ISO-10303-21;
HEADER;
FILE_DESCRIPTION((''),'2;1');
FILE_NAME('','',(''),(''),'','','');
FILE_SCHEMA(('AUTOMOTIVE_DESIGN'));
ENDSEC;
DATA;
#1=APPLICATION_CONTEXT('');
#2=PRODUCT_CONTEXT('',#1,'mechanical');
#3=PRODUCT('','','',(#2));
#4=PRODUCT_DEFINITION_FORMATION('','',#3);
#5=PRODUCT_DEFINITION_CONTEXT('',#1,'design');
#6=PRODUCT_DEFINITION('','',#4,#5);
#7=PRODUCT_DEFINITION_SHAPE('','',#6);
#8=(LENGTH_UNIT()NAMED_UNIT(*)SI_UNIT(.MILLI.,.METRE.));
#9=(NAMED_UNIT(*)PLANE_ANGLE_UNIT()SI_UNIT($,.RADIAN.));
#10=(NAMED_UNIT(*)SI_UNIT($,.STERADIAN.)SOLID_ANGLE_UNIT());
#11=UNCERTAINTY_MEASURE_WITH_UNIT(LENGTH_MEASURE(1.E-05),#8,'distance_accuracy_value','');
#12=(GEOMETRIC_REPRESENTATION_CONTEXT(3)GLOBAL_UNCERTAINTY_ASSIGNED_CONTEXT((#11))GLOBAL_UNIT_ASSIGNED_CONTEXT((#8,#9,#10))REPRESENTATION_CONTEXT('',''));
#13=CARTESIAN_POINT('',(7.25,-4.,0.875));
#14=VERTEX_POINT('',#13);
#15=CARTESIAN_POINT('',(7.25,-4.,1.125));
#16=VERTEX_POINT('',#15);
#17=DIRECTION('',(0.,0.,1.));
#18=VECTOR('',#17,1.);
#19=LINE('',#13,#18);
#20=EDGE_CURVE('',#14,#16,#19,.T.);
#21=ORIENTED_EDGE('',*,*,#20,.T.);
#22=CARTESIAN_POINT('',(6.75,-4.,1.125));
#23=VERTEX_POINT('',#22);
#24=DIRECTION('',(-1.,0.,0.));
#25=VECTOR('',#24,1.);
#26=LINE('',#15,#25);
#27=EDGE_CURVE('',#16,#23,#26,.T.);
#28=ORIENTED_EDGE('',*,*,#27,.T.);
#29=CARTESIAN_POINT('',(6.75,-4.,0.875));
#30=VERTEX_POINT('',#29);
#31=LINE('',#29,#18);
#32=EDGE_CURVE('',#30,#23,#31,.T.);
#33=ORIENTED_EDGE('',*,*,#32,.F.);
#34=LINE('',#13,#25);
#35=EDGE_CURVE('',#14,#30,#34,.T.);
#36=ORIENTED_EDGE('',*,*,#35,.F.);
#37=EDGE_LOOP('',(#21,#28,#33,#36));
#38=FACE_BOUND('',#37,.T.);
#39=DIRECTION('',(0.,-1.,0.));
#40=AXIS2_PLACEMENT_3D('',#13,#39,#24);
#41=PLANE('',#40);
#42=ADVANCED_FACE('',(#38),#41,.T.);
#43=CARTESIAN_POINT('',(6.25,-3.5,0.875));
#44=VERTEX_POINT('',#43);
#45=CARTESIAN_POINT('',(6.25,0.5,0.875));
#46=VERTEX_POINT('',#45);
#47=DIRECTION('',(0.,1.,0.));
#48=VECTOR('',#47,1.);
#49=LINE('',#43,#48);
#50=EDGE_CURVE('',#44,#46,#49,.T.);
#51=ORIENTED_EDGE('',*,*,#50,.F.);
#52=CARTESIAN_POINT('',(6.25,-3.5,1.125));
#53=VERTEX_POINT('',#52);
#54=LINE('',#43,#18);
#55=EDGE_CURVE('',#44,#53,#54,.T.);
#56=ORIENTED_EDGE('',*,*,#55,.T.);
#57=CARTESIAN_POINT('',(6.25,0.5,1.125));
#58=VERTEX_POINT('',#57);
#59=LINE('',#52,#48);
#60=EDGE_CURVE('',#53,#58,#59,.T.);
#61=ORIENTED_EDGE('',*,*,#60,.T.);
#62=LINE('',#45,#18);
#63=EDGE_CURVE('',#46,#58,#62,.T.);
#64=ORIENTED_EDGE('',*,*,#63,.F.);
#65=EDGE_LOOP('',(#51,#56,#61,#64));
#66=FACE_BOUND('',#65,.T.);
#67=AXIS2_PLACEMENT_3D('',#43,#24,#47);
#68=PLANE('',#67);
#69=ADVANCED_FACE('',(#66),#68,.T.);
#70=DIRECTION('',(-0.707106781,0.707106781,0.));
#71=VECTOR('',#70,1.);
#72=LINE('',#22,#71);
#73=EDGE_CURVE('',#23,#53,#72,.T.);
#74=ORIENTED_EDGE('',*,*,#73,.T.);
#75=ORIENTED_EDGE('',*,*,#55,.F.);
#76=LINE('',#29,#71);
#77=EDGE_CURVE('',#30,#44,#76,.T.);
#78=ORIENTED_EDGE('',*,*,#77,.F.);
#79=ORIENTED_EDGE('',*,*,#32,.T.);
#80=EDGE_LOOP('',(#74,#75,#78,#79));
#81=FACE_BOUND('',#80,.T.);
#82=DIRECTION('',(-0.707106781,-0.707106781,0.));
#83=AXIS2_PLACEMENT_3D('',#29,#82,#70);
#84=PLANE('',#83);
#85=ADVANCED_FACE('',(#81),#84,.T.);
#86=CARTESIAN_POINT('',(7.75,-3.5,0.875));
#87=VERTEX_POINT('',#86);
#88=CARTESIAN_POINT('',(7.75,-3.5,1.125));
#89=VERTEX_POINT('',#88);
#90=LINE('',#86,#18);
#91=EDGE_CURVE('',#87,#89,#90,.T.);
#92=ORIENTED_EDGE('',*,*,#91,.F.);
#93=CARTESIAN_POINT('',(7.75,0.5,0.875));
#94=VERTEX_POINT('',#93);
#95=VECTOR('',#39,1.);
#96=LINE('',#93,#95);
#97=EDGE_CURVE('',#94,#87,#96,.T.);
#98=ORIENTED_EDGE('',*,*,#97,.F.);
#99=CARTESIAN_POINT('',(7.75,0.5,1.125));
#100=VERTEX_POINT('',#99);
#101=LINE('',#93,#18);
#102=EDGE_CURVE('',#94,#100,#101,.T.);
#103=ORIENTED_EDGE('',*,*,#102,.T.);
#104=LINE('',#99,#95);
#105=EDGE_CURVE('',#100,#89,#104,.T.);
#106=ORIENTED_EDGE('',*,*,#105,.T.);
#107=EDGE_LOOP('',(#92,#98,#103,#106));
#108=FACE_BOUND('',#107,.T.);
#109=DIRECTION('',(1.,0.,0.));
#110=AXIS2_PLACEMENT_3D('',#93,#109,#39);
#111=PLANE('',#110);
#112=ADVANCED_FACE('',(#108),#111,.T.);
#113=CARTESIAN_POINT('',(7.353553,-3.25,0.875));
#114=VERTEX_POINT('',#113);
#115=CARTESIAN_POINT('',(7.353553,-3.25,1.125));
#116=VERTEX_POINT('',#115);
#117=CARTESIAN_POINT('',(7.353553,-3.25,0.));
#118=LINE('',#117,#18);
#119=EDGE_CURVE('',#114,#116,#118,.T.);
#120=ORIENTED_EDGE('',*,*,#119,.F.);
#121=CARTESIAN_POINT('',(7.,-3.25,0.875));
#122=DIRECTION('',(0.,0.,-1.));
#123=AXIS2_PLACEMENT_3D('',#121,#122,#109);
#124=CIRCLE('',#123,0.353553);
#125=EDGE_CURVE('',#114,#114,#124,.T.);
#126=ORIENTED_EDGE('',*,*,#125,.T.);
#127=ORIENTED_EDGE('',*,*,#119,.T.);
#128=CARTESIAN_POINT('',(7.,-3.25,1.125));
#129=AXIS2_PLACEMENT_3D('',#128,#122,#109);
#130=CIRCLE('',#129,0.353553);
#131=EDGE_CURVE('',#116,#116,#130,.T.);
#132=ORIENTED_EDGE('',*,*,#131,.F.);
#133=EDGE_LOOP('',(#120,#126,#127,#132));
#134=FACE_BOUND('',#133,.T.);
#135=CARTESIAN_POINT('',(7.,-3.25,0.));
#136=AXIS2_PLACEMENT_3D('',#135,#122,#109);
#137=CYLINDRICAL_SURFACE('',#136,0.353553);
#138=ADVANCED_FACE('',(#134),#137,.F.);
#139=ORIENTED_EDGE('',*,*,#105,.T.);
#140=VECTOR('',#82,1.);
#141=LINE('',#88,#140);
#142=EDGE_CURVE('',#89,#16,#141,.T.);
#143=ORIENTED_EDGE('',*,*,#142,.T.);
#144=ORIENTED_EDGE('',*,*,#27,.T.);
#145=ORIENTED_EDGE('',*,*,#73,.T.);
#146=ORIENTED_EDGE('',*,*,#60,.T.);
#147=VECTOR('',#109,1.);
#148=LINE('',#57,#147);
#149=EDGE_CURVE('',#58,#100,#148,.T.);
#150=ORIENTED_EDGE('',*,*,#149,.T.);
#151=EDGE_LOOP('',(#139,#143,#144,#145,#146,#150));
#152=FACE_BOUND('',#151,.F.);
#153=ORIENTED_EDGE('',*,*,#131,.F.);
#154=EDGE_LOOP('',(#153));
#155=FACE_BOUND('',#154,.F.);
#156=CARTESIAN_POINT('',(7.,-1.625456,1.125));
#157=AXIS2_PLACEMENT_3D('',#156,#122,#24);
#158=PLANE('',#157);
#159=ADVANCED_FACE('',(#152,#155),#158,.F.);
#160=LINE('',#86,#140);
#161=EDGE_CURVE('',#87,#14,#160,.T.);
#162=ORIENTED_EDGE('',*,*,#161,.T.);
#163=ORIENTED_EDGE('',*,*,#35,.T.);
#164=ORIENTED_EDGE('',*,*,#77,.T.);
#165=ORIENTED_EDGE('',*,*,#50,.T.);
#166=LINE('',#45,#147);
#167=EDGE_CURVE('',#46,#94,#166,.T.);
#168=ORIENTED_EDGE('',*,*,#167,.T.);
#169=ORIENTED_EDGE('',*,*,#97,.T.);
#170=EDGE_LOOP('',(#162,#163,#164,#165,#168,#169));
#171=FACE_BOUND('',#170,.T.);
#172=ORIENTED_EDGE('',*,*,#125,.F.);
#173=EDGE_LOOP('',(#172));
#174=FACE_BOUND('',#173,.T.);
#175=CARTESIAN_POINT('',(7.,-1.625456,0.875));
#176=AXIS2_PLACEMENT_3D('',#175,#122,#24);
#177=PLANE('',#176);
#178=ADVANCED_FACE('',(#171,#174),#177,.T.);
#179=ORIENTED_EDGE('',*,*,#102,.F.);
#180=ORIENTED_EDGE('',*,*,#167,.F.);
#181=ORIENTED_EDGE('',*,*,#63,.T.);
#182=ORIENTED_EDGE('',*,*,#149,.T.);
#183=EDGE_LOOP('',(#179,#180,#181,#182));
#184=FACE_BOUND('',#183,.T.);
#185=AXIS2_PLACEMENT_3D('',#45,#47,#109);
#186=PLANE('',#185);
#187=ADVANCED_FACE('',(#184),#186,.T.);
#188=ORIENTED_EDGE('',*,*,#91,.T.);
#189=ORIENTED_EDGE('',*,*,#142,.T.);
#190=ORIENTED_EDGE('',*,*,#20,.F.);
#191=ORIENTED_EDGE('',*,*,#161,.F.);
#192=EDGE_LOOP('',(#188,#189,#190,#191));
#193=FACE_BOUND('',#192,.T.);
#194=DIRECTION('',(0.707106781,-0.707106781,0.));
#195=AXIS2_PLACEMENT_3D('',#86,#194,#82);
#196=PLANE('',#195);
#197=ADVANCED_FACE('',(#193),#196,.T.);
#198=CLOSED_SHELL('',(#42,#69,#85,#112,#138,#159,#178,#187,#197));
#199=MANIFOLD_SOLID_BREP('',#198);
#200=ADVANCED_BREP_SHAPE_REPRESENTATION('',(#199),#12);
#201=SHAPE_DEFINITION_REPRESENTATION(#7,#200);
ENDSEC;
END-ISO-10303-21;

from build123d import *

# Parameters (mm, degrees)
SKETCH016_R      = 0.353553
EXTRUDE015_DEPTH = 2
EXTRUDE014_DEPTH = 0.25


with BuildPart() as extrude015:
    # Sketch016 → Extrude015 (new body)
    with BuildSketch(Plane.XY):
        with Locations((7, -3.25)):
            Circle(SKETCH016_R)
    extrude(amount=EXTRUDE015_DEPTH)


with BuildPart() as cut007:
    # Sketch015 → Extrude014 (new body)
    with BuildSketch(Plane(origin=(0.25, 0, 1), x_dir=(1, 0, 0), z_dir=(0, 0, 1))):
        Polygon((7.5, 0.5), (7.5, -3.5), (7, -4), (6.5, -4), (6, -3.5), (6, 0.5), align=None)
    extrude(amount=EXTRUDE014_DEPTH)


with BuildPart() as cut007_1:
    # Extrude014 placement: moved
    add(cut007.part.moved(Location((0, 0, -0.125))))

    # Cut007: cut Extrude015
    add(extrude015.part, mode=Mode.SUBTRACT)


solid = cut007_1.part
